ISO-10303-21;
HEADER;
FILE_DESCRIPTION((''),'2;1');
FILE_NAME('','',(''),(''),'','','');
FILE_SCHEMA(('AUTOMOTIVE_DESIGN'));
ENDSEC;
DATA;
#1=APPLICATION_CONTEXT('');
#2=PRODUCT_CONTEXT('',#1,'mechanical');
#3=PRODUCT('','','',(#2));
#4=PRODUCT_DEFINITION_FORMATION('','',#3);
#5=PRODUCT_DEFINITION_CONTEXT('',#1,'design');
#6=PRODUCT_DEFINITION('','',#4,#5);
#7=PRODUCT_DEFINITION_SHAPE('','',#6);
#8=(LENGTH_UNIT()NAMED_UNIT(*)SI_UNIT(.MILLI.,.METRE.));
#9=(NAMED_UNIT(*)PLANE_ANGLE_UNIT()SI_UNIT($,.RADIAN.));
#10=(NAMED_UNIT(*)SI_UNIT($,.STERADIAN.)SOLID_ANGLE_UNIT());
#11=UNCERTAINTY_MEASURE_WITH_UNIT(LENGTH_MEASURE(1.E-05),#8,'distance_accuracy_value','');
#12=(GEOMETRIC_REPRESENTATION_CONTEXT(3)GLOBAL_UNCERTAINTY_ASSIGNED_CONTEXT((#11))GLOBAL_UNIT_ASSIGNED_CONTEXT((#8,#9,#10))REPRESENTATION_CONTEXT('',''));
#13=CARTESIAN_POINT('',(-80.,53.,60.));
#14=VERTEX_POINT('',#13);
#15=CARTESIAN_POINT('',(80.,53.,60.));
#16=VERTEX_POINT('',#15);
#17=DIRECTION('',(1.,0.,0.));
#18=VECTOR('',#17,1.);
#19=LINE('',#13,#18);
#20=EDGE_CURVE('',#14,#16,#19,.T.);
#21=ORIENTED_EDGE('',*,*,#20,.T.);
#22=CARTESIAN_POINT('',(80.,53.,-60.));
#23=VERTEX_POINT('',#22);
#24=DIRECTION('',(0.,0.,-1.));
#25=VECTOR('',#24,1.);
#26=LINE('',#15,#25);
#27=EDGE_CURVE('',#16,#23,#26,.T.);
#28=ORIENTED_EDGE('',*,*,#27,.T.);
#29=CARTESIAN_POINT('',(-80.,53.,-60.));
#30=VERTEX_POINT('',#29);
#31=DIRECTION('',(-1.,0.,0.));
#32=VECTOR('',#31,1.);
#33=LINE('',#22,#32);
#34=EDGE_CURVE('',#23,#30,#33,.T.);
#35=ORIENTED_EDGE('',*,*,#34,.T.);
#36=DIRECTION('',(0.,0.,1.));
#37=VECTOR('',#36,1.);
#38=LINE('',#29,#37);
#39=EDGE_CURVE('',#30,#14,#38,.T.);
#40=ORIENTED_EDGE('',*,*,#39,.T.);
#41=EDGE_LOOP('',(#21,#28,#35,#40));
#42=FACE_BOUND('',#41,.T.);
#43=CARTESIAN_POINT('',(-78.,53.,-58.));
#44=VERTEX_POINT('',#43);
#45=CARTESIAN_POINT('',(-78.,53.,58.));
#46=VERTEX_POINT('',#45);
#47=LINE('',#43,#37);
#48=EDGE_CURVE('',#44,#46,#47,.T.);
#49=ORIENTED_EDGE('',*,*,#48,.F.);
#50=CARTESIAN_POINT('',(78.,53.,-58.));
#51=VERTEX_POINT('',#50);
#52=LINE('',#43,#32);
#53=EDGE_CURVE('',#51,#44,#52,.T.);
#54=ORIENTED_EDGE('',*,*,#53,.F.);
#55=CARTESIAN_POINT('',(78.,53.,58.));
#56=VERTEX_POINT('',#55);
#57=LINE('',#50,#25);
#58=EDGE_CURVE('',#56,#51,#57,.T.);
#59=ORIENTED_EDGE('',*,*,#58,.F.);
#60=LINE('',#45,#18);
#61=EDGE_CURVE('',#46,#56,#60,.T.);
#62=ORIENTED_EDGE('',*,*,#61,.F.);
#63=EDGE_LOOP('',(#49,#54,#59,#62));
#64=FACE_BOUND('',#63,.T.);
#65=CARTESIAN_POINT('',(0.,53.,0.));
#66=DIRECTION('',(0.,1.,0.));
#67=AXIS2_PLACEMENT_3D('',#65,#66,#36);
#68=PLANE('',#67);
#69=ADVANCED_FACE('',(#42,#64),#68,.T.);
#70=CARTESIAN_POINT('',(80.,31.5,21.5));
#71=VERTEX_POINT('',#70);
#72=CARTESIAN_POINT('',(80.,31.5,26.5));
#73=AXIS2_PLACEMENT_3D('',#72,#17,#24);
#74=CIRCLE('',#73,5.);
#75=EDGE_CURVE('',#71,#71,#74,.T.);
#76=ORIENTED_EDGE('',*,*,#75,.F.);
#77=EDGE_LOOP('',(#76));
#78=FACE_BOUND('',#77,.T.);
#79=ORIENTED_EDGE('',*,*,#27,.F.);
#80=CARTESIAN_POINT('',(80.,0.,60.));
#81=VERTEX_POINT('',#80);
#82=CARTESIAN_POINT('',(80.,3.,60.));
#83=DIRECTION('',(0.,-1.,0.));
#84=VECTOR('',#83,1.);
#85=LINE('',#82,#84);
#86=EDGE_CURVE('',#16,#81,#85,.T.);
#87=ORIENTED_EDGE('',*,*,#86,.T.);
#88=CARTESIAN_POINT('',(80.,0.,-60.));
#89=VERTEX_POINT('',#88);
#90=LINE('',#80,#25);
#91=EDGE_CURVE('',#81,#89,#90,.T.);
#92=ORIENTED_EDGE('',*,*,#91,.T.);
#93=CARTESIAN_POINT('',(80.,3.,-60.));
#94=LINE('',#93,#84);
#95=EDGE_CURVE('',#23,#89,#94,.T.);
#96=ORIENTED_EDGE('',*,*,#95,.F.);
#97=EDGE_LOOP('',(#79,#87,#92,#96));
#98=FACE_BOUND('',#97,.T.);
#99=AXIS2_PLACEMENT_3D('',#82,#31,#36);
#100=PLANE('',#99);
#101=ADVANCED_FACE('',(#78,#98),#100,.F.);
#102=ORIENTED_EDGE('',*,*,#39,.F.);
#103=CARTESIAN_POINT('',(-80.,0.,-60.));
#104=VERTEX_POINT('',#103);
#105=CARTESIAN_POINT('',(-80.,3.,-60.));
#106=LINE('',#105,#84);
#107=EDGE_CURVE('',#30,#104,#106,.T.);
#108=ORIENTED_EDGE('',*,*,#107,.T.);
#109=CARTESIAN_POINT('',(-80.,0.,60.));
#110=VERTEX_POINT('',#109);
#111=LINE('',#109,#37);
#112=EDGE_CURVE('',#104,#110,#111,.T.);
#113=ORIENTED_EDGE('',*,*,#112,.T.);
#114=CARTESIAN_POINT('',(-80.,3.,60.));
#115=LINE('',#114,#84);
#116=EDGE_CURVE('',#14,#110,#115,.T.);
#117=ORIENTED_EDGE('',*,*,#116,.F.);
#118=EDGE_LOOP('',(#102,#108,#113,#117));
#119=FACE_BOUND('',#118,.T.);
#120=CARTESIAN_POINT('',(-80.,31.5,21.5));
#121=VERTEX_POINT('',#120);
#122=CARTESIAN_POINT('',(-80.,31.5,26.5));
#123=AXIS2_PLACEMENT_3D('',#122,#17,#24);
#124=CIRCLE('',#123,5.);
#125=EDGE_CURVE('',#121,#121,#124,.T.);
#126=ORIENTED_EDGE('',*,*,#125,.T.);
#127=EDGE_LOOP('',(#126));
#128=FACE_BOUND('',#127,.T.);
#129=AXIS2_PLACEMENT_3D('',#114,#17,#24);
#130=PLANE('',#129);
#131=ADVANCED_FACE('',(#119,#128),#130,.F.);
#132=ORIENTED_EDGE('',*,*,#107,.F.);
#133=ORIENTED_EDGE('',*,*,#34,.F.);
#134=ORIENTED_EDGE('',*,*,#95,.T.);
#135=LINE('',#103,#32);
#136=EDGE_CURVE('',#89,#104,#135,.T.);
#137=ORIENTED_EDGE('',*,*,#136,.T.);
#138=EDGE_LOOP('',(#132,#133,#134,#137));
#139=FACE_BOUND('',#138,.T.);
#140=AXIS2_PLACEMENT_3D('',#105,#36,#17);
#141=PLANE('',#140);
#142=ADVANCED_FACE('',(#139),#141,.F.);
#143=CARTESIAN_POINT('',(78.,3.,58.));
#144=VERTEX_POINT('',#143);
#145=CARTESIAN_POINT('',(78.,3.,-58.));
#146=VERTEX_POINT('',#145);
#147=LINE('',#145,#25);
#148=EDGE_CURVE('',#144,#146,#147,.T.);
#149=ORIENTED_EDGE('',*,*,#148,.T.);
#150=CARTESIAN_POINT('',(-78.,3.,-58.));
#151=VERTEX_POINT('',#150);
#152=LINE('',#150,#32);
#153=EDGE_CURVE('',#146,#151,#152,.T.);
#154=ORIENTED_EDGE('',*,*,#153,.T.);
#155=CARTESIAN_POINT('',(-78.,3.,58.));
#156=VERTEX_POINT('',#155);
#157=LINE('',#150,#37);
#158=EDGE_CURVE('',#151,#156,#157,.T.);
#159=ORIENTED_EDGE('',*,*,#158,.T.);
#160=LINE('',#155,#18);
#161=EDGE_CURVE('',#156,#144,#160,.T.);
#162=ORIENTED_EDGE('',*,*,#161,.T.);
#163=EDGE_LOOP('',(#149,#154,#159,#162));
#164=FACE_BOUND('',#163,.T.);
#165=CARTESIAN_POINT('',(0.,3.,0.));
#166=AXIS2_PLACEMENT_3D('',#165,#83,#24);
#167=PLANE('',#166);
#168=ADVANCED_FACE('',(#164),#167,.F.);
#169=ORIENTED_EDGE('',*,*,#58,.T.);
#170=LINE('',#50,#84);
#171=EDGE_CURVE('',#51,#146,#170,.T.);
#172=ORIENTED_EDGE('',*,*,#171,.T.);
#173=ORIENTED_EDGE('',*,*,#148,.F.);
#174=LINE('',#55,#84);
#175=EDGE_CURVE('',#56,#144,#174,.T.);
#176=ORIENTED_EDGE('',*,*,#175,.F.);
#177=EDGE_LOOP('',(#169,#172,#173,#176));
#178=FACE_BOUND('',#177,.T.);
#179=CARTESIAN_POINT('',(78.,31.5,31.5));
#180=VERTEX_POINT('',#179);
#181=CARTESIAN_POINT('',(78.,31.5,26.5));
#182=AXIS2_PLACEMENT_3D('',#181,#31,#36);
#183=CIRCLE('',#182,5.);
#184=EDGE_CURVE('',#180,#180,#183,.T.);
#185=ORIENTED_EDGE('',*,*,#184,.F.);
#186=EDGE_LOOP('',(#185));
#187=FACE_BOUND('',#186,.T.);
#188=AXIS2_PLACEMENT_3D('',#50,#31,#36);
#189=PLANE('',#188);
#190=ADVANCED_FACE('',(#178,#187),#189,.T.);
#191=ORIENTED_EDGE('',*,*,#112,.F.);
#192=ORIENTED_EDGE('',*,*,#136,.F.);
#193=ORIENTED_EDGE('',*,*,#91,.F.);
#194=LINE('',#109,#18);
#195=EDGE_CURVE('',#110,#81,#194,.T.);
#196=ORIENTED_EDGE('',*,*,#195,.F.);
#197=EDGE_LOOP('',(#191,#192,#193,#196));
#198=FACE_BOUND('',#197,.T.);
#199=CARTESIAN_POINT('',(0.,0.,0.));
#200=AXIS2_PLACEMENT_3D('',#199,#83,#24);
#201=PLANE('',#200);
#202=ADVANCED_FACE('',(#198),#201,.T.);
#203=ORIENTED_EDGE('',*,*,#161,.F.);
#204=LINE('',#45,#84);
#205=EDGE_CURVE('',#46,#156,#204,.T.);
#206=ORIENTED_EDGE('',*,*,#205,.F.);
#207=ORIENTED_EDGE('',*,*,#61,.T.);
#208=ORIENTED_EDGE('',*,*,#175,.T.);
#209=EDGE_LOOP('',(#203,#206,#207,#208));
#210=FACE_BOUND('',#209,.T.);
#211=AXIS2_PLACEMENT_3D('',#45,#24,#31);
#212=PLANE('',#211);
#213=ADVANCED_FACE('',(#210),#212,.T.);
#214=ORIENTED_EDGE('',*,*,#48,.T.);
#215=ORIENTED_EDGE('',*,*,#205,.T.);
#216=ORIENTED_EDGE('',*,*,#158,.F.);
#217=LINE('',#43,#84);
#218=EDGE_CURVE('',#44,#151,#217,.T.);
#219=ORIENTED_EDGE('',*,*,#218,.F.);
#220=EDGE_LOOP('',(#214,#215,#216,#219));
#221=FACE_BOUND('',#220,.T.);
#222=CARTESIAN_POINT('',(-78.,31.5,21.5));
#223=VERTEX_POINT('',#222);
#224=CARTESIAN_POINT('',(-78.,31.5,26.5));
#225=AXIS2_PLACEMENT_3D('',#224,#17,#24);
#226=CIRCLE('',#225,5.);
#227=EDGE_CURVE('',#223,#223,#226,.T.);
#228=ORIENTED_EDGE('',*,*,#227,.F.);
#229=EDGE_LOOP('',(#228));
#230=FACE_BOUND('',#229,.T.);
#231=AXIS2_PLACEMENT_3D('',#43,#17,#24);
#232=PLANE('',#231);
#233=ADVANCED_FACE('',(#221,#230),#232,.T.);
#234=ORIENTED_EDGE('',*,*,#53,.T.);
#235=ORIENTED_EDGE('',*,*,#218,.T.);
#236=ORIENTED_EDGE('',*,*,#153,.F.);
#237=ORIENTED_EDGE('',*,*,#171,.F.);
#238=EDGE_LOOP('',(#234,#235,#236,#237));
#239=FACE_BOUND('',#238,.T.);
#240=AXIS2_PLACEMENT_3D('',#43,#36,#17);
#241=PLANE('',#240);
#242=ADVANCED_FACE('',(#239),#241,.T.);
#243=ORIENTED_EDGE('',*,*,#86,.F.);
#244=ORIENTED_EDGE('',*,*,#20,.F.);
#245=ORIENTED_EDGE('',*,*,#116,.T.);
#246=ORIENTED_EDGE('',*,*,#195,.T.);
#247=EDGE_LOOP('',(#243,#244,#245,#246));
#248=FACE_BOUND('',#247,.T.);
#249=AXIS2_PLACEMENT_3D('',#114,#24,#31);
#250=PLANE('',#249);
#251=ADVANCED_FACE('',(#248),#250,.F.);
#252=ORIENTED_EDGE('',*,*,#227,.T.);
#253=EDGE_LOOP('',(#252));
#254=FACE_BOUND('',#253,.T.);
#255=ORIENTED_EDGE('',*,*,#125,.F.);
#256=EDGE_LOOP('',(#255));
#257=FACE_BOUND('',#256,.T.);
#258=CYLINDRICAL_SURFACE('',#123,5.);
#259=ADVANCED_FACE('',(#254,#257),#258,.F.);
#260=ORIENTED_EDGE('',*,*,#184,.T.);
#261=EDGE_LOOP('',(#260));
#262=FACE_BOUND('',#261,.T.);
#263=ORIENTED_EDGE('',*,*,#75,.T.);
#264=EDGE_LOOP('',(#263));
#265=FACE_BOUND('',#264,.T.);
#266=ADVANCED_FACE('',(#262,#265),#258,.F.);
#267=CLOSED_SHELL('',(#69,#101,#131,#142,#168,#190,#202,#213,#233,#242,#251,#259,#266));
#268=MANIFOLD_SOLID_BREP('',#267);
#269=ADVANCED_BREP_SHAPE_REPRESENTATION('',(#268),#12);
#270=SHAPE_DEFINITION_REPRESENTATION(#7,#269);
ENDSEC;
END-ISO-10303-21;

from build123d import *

# Parameters (mm, degrees)
SKETCH1_W           = 160
SKETCH1_H           = 120
BOSS_EXTRUDE1_DEPTH = 3
SKETCH2_W           = 160
SKETCH2_H           = 120
SKETCH2_W_2         = 156
SKETCH2_H_2         = 116
BOSS_EXTRUDE2_DEPTH = 50
SKETCH3_R           = 5
CUT_EXTRUDE1_DEPTH  = 179.910592196


with BuildPart() as part:
    # Sketch1 → Boss-Extrude1 (new body)
    with BuildSketch(Plane(origin=(0, 0, 0), x_dir=(1, 0, 0), z_dir=(0, 1, 0))):
        Rectangle(SKETCH1_W, SKETCH1_H)
    extrude(amount=BOSS_EXTRUDE1_DEPTH)

    # Sketch2 → Boss-Extrude2 (add)
    with BuildSketch(Plane(origin=(0, 3, 0), x_dir=(1, 0, 0), z_dir=(0, 1, 0))):
        Rectangle(SKETCH2_W, SKETCH2_H)
        Rectangle(SKETCH2_W_2, SKETCH2_H_2, mode=Mode.SUBTRACT)
    extrude(amount=BOSS_EXTRUDE2_DEPTH)

    # Sketch3 → Cut-Extrude1 (cut, through all)
    with BuildSketch(Plane(origin=(80, 0, 0), x_dir=(0, 0, -1), z_dir=(1, 0, 0))):
        with Locations((-26.5, 31.5)):
            Circle(SKETCH3_R)
    extrude(amount=-CUT_EXTRUDE1_DEPTH, mode=Mode.SUBTRACT)


solid = part.part
